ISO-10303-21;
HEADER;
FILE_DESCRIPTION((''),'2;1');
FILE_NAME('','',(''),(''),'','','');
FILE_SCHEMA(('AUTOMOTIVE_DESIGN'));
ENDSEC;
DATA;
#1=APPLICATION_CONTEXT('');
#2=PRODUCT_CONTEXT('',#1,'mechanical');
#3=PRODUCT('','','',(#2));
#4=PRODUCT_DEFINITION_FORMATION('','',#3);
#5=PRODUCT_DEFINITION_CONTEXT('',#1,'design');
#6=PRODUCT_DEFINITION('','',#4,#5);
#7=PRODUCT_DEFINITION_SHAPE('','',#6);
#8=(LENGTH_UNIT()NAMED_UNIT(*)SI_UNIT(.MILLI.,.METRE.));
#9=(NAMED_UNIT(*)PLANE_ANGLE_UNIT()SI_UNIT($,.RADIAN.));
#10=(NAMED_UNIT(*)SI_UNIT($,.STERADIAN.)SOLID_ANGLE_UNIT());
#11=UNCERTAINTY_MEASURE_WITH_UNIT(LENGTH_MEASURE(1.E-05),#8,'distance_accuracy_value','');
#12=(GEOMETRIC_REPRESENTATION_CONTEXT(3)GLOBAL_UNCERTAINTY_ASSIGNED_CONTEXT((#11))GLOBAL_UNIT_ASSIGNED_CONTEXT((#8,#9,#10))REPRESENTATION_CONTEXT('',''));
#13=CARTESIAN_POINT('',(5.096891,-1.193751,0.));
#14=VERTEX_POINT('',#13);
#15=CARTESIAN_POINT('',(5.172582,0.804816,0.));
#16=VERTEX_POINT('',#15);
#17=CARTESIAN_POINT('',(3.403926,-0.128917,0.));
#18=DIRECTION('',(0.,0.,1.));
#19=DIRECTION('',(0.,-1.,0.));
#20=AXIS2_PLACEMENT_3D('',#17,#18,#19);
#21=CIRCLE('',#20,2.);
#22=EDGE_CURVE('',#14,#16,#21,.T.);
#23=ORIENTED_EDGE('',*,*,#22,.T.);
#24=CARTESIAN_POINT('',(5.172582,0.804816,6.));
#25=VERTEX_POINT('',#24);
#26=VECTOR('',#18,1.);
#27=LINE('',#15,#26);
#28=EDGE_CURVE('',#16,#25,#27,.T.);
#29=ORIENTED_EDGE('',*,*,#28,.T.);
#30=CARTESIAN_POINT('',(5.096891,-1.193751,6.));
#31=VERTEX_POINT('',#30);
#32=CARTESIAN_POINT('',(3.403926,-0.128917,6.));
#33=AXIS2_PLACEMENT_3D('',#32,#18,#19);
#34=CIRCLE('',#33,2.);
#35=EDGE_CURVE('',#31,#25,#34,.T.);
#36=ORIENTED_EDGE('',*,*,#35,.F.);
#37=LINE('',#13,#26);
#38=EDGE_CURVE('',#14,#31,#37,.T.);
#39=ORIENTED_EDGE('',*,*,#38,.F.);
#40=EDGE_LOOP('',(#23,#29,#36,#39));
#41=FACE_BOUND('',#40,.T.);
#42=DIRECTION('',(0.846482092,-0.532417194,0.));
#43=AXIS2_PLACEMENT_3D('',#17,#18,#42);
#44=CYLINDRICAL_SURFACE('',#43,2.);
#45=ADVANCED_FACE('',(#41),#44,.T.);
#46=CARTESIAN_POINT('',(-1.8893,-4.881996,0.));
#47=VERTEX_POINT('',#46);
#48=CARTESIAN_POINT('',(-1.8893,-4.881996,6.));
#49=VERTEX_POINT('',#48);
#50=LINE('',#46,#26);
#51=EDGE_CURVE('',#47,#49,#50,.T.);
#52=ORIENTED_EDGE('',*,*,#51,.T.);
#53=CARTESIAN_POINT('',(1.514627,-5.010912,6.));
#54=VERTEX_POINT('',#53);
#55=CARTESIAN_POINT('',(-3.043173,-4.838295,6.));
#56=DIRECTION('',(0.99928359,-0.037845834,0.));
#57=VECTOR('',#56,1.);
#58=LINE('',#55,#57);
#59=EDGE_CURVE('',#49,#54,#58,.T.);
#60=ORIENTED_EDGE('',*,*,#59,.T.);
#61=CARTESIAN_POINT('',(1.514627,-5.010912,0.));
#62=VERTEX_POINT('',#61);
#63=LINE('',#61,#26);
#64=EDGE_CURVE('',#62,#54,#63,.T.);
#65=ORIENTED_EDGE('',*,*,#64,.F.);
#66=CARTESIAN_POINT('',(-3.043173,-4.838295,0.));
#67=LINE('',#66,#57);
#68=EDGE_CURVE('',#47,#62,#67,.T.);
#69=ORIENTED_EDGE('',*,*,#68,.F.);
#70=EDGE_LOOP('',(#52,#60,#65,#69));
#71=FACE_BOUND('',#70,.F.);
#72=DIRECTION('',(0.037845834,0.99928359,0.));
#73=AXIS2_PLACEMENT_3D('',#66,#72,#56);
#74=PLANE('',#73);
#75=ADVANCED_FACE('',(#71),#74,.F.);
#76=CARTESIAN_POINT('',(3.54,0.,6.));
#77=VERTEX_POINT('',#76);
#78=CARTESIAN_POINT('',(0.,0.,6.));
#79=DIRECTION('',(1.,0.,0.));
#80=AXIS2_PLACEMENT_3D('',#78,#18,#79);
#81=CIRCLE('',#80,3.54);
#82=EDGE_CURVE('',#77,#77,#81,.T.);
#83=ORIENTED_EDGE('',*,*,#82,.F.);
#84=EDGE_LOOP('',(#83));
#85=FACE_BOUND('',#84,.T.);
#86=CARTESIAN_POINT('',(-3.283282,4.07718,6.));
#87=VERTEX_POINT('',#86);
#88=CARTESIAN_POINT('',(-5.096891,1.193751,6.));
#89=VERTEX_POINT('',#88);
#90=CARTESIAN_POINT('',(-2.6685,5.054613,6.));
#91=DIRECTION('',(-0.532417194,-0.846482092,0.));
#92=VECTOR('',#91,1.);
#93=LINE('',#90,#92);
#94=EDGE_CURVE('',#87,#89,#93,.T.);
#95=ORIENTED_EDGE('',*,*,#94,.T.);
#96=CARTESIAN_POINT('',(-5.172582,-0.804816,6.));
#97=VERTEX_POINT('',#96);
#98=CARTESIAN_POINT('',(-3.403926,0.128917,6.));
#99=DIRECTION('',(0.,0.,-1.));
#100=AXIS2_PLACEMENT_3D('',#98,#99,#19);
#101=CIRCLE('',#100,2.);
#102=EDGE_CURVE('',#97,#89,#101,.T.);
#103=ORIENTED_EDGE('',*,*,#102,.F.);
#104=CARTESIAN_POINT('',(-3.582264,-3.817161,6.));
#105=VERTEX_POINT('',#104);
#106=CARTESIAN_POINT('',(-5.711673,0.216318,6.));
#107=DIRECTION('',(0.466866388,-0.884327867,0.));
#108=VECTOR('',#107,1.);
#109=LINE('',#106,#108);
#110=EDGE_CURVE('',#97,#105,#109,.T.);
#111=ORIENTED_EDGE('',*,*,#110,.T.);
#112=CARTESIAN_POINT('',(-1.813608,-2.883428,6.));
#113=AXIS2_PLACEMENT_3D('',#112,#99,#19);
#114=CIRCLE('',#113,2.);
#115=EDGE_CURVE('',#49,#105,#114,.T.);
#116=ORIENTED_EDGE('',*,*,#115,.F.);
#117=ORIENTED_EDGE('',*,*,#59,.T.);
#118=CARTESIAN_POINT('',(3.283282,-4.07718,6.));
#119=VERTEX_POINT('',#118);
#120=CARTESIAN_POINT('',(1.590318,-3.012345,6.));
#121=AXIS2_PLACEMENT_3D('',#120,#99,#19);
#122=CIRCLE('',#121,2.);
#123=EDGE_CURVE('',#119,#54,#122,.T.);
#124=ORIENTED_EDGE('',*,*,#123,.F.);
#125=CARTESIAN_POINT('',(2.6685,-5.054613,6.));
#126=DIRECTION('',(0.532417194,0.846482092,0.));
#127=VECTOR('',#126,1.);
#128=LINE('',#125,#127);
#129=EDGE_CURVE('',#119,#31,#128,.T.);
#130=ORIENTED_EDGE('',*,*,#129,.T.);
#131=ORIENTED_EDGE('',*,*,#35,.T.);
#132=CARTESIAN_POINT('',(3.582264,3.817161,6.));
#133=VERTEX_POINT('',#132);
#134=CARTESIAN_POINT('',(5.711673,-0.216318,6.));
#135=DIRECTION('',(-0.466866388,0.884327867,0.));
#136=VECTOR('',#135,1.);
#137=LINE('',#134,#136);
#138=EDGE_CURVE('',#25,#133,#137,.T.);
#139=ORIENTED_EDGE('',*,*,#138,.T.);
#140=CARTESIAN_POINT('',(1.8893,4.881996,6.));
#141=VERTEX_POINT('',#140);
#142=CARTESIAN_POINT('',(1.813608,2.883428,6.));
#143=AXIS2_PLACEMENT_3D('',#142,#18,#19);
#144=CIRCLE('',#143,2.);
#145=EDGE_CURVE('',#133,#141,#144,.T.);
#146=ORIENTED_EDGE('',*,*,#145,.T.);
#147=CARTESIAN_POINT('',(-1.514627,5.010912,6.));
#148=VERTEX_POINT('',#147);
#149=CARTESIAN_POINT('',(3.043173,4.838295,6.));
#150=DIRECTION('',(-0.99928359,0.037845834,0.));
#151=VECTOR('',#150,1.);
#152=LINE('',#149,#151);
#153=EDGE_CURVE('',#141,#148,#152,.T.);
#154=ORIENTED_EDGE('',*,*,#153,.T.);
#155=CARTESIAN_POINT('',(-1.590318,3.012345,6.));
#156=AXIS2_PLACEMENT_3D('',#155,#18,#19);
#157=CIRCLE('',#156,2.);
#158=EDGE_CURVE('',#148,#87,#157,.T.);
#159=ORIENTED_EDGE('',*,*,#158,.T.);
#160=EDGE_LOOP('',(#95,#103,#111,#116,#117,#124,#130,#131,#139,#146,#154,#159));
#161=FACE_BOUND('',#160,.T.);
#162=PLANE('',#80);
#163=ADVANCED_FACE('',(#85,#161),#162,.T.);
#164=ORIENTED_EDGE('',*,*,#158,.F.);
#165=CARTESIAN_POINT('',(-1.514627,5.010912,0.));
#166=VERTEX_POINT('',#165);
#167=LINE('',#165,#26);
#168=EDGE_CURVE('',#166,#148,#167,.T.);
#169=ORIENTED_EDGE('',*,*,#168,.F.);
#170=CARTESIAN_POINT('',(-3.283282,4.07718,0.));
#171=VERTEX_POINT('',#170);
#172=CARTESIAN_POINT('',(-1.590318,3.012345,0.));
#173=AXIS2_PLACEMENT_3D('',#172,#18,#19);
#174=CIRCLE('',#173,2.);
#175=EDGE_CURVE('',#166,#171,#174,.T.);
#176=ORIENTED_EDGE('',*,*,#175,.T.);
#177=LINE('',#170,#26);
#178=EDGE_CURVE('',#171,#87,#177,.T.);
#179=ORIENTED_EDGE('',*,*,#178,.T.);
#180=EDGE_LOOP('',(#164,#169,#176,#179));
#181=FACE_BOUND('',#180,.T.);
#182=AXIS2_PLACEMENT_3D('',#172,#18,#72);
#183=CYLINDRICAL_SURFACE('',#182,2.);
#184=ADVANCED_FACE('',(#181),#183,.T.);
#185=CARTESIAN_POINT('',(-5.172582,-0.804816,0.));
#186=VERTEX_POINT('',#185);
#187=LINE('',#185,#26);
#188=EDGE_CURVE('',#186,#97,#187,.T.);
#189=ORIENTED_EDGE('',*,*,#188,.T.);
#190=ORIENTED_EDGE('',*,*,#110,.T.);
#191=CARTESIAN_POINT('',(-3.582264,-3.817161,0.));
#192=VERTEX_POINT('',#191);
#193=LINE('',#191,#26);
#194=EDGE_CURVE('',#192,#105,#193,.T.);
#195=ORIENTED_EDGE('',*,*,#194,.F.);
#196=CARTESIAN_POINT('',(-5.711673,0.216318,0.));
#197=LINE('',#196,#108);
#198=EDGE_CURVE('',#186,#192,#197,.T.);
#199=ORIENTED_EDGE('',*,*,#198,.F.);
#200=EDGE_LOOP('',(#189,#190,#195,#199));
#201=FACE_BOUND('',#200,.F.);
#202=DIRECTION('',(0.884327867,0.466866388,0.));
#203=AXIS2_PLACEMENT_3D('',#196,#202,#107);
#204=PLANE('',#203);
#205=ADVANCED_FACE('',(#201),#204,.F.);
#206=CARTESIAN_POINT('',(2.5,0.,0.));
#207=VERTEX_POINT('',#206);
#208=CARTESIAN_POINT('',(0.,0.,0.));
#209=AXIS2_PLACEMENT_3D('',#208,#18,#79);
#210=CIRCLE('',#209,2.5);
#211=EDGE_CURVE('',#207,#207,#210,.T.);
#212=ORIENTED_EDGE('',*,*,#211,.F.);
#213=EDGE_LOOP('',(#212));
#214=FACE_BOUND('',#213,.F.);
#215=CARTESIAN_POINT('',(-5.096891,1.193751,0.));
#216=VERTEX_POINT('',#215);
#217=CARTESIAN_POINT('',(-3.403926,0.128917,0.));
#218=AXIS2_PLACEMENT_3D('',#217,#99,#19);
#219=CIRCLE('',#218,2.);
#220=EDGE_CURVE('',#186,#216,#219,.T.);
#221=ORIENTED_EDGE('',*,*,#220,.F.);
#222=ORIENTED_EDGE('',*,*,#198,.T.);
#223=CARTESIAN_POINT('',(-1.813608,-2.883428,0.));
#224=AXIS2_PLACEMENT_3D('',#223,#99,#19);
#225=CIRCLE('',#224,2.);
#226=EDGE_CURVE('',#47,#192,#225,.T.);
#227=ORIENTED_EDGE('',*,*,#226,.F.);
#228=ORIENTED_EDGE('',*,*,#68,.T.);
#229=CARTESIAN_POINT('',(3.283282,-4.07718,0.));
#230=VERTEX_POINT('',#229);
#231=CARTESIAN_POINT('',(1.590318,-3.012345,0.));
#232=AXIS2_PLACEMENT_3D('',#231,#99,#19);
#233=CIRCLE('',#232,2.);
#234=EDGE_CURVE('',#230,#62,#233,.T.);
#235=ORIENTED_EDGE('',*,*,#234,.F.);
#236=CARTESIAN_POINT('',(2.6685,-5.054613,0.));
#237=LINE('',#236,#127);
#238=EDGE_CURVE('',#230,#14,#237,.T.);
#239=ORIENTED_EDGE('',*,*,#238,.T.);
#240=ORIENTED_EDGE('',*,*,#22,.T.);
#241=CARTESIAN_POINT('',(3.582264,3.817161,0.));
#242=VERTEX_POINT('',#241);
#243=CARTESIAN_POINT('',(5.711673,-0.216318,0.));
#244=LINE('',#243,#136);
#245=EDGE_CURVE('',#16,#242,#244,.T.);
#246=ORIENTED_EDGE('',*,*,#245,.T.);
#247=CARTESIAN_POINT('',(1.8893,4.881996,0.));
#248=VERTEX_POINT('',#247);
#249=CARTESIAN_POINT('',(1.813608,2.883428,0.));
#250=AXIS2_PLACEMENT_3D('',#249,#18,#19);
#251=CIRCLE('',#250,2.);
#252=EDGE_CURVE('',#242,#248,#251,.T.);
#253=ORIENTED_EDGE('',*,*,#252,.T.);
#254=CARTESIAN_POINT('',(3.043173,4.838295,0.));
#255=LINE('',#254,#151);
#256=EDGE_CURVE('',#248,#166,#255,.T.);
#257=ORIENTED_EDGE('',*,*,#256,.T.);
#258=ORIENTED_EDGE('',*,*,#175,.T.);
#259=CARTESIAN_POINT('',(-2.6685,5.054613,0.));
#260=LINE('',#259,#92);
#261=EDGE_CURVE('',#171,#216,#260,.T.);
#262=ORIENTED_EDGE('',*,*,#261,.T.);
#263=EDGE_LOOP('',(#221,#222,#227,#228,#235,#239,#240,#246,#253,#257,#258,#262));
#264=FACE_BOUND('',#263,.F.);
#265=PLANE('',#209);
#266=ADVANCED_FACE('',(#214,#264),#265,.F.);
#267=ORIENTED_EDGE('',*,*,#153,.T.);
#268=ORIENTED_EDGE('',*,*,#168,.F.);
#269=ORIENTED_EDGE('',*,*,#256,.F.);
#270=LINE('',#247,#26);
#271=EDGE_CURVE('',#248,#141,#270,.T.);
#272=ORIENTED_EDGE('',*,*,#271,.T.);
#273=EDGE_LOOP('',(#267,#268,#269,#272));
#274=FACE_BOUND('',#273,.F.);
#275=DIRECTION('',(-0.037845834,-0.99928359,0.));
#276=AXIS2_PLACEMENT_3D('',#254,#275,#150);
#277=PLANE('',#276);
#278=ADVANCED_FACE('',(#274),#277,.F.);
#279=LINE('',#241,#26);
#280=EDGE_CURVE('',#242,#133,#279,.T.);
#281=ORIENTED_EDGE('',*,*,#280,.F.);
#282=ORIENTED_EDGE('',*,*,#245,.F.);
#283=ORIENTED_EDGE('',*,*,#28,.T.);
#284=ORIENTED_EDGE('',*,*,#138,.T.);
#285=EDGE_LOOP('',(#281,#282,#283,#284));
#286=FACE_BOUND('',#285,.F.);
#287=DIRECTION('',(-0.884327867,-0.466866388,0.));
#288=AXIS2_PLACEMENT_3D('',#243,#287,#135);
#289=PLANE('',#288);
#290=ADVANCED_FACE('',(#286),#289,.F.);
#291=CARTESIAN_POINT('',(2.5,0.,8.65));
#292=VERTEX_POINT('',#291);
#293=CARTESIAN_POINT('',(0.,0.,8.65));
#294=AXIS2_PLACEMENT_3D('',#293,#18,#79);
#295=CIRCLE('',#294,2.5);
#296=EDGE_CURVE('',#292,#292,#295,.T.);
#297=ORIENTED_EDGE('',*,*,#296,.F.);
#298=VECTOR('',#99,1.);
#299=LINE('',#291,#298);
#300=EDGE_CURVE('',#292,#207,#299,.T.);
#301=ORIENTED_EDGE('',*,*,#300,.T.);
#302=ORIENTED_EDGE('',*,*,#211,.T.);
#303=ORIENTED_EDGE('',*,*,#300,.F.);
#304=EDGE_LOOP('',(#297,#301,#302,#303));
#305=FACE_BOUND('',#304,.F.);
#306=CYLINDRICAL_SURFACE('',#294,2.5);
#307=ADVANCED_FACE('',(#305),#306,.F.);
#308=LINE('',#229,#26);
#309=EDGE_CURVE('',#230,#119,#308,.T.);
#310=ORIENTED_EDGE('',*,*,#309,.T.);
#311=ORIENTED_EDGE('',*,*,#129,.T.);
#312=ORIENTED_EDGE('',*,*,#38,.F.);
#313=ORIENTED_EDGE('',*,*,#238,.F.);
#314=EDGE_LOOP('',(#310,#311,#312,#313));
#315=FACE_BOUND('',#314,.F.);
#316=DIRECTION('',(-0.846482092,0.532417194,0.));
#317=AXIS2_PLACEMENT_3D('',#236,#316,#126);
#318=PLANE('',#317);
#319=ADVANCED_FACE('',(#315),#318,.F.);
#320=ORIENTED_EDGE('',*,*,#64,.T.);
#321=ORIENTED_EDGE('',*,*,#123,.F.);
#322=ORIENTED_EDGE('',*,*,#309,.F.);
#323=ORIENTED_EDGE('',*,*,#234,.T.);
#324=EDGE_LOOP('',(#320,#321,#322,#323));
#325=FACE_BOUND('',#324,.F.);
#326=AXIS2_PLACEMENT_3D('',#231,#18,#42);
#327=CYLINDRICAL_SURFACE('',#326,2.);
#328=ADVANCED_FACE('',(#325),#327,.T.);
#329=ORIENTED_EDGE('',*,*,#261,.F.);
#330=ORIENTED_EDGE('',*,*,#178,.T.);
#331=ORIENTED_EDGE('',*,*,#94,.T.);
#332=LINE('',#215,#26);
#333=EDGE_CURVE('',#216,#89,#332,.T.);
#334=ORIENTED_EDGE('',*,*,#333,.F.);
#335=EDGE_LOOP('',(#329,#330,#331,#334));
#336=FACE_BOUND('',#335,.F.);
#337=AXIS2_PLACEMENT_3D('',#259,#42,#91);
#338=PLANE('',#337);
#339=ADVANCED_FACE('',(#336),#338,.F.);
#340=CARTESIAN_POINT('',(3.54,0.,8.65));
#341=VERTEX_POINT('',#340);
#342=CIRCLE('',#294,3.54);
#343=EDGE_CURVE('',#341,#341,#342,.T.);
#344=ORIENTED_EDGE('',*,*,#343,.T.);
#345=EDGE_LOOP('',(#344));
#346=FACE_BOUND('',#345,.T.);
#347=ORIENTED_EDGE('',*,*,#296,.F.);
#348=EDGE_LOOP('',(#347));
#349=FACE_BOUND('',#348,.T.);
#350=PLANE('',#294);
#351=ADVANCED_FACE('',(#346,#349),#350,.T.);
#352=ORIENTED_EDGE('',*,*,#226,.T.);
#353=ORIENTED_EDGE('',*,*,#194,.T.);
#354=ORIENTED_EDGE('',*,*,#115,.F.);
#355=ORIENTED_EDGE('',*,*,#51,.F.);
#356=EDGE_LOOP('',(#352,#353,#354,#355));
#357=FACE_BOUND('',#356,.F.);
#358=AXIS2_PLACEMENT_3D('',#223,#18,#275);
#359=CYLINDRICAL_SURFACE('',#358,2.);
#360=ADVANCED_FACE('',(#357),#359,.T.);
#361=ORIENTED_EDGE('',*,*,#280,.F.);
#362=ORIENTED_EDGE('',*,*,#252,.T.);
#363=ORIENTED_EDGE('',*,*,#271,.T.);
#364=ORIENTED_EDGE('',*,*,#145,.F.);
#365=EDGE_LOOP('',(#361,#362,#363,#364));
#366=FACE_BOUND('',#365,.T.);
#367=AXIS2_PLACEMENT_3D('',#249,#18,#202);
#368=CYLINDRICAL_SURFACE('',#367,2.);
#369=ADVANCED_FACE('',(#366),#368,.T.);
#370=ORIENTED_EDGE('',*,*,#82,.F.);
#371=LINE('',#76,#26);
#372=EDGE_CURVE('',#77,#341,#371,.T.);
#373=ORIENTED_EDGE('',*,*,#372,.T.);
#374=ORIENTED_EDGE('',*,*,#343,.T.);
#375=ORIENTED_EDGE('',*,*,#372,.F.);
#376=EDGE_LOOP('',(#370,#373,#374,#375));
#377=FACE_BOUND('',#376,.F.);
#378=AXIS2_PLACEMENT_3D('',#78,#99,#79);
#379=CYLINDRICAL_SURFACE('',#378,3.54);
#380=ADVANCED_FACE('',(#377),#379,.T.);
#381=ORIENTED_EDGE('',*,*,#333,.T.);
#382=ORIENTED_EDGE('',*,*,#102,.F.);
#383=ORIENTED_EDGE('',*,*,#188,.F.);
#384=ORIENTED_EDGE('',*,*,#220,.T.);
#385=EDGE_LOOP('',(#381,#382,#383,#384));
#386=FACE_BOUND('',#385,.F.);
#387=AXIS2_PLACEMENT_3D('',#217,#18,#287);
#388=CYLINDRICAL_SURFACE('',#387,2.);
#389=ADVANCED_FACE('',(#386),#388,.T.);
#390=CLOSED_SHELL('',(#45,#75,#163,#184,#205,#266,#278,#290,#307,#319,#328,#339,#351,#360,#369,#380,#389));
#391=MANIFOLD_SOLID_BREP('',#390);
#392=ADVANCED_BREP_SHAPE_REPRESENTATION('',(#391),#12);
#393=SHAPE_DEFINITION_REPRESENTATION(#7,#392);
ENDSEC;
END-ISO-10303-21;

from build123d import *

# Parameters (mm, degrees)
F1_DEPTH = 6
F2_R     = 3.54
F3_DEPTH = 2.65
F4_R     = 2.5
F5_DEPTH = 25
F6_R     = 2


with BuildPart() as f1:
    # F0 (on Top) → F1 (new body)
    with BuildSketch(Plane.XY):
        Polygon((2.6685, -5.054613), (5.711673, -0.216318), (3.043173, 4.838295), (-2.6685, 5.054613), (-5.711673, 0.216318), (-3.043173, -4.838295), align=None)
    extrude(amount=F1_DEPTH)

    # F2 (on face) → F3 (join)
    with BuildSketch(Plane.XY.offset(6)):
        Circle(F2_R)
    extrude(amount=F3_DEPTH)

    # F4 (on face) → F5 (cut)
    with BuildSketch(Plane.XY.offset(8.65)):
        Circle(F4_R)
    extrude(amount=-F5_DEPTH, mode=Mode.SUBTRACT)

    # F6
    f6_edges = [f1.edges().sort_by_distance(p)[0] for p in [
        (2.6685, -5.054613, 3),
        (5.711673, -0.216318, 3),
        (-3.043173, -4.838295, 3),
        (-5.711673, 0.216318, 3),
        (-2.6685, 5.054613, 3),
        (3.043173, 4.838295, 3),
    ]]
    fillet(f6_edges, radius=F6_R)


solid = f1.part
